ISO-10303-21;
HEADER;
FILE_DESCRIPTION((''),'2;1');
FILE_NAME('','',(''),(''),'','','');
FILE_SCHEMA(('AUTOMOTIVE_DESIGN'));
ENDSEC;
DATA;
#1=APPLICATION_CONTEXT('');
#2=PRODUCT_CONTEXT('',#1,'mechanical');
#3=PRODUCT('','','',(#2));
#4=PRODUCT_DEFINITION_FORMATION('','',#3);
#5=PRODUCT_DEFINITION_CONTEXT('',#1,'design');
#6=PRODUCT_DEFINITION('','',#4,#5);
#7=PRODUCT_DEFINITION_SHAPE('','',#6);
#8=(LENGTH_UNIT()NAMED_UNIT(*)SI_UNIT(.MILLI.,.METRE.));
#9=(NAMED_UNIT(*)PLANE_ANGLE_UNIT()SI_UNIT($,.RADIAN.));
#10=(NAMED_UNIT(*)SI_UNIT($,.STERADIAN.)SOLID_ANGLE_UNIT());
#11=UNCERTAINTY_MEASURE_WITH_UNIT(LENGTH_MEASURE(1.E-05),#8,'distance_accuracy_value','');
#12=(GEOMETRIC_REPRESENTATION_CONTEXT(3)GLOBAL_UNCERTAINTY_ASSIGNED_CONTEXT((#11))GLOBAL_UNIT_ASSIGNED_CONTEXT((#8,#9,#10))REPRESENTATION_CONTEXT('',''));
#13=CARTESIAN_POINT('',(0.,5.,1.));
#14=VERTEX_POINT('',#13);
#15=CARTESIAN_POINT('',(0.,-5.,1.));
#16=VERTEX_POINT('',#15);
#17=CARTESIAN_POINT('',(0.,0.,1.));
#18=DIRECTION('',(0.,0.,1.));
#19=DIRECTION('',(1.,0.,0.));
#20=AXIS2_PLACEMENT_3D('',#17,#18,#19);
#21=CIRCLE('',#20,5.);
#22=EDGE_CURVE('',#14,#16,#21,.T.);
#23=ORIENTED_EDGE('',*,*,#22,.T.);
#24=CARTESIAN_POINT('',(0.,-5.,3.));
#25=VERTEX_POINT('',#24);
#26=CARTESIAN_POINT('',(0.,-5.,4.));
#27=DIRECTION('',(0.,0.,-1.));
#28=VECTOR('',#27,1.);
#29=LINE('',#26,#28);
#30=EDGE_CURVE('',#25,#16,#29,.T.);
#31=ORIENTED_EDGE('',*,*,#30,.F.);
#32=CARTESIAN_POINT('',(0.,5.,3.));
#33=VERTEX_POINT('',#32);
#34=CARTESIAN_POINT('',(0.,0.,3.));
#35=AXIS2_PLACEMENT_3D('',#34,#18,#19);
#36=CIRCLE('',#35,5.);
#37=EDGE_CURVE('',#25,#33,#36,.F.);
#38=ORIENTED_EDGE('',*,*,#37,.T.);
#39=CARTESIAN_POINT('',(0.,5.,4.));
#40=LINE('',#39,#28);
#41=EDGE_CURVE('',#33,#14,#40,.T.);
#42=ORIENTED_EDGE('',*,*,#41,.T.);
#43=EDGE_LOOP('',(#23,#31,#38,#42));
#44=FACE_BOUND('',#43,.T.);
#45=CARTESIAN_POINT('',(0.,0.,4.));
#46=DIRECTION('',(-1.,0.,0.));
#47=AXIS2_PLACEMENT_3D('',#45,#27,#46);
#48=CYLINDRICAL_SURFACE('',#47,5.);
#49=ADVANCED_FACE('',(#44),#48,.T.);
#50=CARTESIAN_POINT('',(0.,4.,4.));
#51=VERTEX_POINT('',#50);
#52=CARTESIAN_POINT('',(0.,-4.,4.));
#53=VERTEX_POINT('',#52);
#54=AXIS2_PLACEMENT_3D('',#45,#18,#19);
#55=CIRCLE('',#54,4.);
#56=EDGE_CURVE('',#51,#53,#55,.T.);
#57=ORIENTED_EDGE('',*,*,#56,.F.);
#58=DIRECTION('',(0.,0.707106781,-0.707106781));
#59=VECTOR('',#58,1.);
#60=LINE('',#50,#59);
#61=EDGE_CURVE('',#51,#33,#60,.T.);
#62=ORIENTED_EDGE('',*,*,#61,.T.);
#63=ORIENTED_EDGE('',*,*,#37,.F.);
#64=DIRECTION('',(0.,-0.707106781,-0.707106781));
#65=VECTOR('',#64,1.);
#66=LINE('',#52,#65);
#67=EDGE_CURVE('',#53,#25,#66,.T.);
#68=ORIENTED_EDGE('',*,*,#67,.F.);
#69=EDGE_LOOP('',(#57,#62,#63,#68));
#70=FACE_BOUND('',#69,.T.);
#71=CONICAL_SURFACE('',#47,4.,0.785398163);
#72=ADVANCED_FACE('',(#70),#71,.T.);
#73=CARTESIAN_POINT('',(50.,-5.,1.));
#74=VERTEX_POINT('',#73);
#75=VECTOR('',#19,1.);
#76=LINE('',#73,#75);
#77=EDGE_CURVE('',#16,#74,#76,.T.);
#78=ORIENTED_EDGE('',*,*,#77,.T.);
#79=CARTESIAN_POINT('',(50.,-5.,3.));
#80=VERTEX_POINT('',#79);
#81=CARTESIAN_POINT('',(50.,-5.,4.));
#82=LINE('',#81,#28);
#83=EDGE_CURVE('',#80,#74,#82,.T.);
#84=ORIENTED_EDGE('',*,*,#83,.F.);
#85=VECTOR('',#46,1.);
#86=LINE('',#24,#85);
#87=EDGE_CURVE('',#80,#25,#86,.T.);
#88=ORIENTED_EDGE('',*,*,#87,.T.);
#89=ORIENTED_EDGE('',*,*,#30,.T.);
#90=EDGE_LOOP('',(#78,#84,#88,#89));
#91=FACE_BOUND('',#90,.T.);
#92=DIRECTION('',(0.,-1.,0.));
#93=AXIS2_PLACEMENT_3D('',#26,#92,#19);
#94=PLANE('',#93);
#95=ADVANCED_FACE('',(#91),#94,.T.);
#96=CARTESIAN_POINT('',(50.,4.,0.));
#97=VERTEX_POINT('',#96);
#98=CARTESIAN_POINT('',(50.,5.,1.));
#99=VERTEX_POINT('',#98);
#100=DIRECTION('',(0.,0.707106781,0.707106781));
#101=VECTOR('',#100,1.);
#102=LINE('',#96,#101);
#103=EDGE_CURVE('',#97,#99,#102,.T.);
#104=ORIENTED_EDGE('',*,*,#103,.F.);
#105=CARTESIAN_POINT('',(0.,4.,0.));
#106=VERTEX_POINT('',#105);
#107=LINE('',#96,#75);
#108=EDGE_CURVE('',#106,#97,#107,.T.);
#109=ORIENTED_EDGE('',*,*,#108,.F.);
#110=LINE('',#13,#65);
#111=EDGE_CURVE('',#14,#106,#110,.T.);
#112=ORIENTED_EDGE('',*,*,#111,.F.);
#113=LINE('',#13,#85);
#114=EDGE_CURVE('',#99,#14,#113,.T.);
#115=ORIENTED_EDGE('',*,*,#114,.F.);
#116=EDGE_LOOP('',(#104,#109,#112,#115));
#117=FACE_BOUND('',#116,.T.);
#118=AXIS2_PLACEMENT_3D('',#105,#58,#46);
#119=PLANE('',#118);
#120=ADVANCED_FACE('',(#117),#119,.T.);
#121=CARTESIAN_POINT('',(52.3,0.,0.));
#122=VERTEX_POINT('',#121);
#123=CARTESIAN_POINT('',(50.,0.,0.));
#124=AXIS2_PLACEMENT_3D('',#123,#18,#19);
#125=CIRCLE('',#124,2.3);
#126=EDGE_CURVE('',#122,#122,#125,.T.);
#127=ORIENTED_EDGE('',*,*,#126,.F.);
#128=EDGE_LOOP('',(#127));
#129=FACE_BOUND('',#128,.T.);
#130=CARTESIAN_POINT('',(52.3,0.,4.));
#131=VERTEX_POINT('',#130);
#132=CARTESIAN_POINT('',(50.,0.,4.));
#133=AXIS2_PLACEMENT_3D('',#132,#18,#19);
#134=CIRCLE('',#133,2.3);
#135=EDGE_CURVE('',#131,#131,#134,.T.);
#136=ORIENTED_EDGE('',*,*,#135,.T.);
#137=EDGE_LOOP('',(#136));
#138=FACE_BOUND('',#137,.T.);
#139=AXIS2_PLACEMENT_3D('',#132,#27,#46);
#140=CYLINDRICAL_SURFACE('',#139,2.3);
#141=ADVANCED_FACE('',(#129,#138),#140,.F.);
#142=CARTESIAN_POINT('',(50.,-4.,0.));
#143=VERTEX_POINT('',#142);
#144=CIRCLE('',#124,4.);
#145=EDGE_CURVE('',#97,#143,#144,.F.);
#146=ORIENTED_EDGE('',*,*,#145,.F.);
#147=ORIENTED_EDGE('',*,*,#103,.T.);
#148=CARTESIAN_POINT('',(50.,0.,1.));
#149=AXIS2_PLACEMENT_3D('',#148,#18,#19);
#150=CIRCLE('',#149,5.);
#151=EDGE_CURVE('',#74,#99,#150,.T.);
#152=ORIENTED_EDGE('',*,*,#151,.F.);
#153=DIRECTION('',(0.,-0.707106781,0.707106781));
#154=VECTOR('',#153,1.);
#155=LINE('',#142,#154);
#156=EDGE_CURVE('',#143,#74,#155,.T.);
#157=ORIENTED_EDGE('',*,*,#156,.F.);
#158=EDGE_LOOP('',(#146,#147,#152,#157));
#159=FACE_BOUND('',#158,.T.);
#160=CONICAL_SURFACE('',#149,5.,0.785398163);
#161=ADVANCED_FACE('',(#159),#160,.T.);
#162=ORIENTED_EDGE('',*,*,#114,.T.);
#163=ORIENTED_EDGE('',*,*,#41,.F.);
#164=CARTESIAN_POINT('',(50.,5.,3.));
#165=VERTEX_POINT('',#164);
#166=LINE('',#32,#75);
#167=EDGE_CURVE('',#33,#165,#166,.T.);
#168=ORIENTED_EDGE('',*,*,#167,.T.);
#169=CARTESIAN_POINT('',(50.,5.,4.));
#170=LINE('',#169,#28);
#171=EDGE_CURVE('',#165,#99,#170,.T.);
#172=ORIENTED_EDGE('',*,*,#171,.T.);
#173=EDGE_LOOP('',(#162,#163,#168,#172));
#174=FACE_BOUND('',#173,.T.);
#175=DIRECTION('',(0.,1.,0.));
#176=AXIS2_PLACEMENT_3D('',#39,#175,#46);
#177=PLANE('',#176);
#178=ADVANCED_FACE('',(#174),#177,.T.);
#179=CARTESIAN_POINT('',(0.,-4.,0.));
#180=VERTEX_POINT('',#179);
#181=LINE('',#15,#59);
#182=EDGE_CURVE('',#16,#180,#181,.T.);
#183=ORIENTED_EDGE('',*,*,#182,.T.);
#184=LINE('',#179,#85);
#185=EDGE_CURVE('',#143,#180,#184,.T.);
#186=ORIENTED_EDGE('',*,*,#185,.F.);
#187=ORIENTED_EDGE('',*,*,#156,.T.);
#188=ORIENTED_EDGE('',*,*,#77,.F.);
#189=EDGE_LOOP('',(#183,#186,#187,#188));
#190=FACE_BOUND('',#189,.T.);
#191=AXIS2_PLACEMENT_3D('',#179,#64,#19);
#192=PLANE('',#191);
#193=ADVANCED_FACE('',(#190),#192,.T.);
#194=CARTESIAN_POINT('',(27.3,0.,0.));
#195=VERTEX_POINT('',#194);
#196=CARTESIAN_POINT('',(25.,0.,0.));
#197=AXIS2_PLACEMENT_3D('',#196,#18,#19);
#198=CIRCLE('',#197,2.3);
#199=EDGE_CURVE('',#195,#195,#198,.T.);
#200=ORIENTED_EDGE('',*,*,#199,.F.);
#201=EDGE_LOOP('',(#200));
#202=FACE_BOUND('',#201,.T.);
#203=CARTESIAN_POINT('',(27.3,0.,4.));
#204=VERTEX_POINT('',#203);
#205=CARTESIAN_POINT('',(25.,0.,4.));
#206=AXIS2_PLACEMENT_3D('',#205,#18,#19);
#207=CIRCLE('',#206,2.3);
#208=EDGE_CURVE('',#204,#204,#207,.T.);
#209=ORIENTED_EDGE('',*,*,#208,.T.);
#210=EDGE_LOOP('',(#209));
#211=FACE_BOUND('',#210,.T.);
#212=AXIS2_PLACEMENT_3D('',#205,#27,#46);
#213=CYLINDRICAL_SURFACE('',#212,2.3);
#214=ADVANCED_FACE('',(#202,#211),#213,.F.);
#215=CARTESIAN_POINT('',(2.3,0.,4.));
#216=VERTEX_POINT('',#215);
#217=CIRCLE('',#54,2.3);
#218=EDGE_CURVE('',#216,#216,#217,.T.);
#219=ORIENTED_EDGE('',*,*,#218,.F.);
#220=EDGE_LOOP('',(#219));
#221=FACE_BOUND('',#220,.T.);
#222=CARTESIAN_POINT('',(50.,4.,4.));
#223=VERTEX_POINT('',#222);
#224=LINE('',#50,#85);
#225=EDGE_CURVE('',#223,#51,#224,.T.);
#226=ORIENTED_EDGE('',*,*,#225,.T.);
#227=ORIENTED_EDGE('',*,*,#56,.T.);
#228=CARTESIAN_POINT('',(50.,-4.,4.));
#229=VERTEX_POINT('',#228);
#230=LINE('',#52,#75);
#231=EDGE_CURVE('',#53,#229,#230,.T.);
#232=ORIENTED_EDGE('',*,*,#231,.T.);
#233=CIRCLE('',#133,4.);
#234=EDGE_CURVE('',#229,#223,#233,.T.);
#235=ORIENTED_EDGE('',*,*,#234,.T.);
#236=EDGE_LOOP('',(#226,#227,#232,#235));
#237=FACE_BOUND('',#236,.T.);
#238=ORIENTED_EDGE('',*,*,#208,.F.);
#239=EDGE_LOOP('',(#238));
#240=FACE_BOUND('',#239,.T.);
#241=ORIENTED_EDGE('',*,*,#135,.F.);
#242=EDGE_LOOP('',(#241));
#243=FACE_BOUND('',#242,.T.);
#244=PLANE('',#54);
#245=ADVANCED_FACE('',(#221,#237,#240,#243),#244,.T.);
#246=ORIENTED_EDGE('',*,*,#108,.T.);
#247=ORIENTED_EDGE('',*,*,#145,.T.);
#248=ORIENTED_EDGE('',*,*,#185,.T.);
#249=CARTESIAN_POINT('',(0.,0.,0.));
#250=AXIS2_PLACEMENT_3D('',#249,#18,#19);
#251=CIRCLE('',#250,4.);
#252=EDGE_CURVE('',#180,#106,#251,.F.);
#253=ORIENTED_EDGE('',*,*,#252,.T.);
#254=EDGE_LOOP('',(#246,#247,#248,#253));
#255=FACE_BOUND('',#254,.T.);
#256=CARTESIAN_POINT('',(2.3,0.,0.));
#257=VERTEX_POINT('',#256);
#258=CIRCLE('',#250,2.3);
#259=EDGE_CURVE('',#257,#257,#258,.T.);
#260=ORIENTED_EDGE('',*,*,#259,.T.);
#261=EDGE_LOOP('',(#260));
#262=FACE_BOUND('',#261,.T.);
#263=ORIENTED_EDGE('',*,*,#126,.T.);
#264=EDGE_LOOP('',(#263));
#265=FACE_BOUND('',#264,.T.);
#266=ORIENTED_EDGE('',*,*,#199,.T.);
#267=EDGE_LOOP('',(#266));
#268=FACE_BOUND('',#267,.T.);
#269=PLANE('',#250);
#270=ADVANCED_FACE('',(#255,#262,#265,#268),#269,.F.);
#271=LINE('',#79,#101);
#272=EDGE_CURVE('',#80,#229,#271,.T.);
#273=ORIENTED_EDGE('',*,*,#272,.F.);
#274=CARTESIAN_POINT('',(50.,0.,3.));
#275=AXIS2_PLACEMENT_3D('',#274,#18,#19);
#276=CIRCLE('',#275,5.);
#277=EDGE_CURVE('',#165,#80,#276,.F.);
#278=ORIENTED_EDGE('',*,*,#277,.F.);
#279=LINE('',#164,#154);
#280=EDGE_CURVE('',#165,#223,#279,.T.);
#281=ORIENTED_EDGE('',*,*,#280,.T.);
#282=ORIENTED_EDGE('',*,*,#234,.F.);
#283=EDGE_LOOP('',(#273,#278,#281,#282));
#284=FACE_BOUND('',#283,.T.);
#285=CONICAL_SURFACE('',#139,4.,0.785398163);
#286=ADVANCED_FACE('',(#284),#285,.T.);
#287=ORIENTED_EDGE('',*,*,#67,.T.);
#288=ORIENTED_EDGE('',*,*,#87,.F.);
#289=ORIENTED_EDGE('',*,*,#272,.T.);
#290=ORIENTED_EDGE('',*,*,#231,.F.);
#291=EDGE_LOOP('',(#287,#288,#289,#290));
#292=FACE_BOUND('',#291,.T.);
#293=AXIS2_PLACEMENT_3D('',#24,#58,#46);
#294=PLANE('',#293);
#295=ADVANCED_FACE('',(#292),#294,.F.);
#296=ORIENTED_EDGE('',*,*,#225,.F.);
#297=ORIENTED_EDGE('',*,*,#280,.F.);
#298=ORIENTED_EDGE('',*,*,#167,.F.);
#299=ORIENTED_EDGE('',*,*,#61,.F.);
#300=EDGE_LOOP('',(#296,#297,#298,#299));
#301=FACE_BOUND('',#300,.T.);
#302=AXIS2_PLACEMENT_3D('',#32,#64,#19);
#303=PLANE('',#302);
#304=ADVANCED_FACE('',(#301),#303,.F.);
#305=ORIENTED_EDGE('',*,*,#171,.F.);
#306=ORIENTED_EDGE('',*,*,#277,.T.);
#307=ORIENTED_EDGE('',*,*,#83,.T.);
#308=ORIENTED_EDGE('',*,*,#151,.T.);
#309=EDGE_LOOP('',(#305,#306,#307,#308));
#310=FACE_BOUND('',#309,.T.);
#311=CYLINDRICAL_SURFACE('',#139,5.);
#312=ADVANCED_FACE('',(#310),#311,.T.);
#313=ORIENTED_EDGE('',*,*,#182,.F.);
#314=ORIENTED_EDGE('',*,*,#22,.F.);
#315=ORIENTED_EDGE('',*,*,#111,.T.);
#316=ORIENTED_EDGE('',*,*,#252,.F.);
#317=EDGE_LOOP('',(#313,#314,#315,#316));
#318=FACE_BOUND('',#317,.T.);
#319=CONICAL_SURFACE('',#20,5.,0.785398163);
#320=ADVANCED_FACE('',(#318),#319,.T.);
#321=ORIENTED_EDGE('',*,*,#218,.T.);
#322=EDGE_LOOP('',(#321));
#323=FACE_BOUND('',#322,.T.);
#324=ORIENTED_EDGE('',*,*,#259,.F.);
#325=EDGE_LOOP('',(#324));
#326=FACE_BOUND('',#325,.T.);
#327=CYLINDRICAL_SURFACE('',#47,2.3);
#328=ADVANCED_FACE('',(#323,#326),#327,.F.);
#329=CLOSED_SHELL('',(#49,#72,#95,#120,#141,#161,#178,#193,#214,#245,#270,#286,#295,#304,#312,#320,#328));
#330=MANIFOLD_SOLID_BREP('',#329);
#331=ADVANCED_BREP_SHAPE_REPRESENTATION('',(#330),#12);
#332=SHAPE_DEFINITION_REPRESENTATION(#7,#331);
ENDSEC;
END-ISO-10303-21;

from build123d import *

# Parameters (mm, degrees)
SKETCH1_R           = 2.3
BOSS_EXTRUDE1_DEPTH = 4
CHAMFER1_SIZE       = 1


with BuildPart() as part:
    # Sketch1 → Boss-Extrude1 (new body)
    with BuildSketch(Plane.XY):
        with BuildLine():
            Line((50, 5), (0, 5))
            ThreePointArc((0, 5), (-5, 0), (0, -5))
            Line((0, -5), (50, -5))
            ThreePointArc((50, -5), (55, 0), (50, 5))
        make_face()
        with Locations((25, 0)):
            Circle(SKETCH1_R, mode=Mode.SUBTRACT)
        Circle(SKETCH1_R, mode=Mode.SUBTRACT)
        with Locations((50, 0)):
            Circle(SKETCH1_R, mode=Mode.SUBTRACT)
    extrude(amount=BOSS_EXTRUDE1_DEPTH)

    # Chamfer1
    chamfer1_edges = [part.edges().sort_by_distance(p)[0] for p in [
        (-5, 0, 0),
        (25, 5, 0),
        (55, 0, 0),
        (25, -5, 0),
        (55, 0, 4),
        (25, 5, 4),
        (-5, 0, 4),
        (25, -5, 4),
    ]]
    chamfer(chamfer1_edges, length=CHAMFER1_SIZE)


solid = part.part
